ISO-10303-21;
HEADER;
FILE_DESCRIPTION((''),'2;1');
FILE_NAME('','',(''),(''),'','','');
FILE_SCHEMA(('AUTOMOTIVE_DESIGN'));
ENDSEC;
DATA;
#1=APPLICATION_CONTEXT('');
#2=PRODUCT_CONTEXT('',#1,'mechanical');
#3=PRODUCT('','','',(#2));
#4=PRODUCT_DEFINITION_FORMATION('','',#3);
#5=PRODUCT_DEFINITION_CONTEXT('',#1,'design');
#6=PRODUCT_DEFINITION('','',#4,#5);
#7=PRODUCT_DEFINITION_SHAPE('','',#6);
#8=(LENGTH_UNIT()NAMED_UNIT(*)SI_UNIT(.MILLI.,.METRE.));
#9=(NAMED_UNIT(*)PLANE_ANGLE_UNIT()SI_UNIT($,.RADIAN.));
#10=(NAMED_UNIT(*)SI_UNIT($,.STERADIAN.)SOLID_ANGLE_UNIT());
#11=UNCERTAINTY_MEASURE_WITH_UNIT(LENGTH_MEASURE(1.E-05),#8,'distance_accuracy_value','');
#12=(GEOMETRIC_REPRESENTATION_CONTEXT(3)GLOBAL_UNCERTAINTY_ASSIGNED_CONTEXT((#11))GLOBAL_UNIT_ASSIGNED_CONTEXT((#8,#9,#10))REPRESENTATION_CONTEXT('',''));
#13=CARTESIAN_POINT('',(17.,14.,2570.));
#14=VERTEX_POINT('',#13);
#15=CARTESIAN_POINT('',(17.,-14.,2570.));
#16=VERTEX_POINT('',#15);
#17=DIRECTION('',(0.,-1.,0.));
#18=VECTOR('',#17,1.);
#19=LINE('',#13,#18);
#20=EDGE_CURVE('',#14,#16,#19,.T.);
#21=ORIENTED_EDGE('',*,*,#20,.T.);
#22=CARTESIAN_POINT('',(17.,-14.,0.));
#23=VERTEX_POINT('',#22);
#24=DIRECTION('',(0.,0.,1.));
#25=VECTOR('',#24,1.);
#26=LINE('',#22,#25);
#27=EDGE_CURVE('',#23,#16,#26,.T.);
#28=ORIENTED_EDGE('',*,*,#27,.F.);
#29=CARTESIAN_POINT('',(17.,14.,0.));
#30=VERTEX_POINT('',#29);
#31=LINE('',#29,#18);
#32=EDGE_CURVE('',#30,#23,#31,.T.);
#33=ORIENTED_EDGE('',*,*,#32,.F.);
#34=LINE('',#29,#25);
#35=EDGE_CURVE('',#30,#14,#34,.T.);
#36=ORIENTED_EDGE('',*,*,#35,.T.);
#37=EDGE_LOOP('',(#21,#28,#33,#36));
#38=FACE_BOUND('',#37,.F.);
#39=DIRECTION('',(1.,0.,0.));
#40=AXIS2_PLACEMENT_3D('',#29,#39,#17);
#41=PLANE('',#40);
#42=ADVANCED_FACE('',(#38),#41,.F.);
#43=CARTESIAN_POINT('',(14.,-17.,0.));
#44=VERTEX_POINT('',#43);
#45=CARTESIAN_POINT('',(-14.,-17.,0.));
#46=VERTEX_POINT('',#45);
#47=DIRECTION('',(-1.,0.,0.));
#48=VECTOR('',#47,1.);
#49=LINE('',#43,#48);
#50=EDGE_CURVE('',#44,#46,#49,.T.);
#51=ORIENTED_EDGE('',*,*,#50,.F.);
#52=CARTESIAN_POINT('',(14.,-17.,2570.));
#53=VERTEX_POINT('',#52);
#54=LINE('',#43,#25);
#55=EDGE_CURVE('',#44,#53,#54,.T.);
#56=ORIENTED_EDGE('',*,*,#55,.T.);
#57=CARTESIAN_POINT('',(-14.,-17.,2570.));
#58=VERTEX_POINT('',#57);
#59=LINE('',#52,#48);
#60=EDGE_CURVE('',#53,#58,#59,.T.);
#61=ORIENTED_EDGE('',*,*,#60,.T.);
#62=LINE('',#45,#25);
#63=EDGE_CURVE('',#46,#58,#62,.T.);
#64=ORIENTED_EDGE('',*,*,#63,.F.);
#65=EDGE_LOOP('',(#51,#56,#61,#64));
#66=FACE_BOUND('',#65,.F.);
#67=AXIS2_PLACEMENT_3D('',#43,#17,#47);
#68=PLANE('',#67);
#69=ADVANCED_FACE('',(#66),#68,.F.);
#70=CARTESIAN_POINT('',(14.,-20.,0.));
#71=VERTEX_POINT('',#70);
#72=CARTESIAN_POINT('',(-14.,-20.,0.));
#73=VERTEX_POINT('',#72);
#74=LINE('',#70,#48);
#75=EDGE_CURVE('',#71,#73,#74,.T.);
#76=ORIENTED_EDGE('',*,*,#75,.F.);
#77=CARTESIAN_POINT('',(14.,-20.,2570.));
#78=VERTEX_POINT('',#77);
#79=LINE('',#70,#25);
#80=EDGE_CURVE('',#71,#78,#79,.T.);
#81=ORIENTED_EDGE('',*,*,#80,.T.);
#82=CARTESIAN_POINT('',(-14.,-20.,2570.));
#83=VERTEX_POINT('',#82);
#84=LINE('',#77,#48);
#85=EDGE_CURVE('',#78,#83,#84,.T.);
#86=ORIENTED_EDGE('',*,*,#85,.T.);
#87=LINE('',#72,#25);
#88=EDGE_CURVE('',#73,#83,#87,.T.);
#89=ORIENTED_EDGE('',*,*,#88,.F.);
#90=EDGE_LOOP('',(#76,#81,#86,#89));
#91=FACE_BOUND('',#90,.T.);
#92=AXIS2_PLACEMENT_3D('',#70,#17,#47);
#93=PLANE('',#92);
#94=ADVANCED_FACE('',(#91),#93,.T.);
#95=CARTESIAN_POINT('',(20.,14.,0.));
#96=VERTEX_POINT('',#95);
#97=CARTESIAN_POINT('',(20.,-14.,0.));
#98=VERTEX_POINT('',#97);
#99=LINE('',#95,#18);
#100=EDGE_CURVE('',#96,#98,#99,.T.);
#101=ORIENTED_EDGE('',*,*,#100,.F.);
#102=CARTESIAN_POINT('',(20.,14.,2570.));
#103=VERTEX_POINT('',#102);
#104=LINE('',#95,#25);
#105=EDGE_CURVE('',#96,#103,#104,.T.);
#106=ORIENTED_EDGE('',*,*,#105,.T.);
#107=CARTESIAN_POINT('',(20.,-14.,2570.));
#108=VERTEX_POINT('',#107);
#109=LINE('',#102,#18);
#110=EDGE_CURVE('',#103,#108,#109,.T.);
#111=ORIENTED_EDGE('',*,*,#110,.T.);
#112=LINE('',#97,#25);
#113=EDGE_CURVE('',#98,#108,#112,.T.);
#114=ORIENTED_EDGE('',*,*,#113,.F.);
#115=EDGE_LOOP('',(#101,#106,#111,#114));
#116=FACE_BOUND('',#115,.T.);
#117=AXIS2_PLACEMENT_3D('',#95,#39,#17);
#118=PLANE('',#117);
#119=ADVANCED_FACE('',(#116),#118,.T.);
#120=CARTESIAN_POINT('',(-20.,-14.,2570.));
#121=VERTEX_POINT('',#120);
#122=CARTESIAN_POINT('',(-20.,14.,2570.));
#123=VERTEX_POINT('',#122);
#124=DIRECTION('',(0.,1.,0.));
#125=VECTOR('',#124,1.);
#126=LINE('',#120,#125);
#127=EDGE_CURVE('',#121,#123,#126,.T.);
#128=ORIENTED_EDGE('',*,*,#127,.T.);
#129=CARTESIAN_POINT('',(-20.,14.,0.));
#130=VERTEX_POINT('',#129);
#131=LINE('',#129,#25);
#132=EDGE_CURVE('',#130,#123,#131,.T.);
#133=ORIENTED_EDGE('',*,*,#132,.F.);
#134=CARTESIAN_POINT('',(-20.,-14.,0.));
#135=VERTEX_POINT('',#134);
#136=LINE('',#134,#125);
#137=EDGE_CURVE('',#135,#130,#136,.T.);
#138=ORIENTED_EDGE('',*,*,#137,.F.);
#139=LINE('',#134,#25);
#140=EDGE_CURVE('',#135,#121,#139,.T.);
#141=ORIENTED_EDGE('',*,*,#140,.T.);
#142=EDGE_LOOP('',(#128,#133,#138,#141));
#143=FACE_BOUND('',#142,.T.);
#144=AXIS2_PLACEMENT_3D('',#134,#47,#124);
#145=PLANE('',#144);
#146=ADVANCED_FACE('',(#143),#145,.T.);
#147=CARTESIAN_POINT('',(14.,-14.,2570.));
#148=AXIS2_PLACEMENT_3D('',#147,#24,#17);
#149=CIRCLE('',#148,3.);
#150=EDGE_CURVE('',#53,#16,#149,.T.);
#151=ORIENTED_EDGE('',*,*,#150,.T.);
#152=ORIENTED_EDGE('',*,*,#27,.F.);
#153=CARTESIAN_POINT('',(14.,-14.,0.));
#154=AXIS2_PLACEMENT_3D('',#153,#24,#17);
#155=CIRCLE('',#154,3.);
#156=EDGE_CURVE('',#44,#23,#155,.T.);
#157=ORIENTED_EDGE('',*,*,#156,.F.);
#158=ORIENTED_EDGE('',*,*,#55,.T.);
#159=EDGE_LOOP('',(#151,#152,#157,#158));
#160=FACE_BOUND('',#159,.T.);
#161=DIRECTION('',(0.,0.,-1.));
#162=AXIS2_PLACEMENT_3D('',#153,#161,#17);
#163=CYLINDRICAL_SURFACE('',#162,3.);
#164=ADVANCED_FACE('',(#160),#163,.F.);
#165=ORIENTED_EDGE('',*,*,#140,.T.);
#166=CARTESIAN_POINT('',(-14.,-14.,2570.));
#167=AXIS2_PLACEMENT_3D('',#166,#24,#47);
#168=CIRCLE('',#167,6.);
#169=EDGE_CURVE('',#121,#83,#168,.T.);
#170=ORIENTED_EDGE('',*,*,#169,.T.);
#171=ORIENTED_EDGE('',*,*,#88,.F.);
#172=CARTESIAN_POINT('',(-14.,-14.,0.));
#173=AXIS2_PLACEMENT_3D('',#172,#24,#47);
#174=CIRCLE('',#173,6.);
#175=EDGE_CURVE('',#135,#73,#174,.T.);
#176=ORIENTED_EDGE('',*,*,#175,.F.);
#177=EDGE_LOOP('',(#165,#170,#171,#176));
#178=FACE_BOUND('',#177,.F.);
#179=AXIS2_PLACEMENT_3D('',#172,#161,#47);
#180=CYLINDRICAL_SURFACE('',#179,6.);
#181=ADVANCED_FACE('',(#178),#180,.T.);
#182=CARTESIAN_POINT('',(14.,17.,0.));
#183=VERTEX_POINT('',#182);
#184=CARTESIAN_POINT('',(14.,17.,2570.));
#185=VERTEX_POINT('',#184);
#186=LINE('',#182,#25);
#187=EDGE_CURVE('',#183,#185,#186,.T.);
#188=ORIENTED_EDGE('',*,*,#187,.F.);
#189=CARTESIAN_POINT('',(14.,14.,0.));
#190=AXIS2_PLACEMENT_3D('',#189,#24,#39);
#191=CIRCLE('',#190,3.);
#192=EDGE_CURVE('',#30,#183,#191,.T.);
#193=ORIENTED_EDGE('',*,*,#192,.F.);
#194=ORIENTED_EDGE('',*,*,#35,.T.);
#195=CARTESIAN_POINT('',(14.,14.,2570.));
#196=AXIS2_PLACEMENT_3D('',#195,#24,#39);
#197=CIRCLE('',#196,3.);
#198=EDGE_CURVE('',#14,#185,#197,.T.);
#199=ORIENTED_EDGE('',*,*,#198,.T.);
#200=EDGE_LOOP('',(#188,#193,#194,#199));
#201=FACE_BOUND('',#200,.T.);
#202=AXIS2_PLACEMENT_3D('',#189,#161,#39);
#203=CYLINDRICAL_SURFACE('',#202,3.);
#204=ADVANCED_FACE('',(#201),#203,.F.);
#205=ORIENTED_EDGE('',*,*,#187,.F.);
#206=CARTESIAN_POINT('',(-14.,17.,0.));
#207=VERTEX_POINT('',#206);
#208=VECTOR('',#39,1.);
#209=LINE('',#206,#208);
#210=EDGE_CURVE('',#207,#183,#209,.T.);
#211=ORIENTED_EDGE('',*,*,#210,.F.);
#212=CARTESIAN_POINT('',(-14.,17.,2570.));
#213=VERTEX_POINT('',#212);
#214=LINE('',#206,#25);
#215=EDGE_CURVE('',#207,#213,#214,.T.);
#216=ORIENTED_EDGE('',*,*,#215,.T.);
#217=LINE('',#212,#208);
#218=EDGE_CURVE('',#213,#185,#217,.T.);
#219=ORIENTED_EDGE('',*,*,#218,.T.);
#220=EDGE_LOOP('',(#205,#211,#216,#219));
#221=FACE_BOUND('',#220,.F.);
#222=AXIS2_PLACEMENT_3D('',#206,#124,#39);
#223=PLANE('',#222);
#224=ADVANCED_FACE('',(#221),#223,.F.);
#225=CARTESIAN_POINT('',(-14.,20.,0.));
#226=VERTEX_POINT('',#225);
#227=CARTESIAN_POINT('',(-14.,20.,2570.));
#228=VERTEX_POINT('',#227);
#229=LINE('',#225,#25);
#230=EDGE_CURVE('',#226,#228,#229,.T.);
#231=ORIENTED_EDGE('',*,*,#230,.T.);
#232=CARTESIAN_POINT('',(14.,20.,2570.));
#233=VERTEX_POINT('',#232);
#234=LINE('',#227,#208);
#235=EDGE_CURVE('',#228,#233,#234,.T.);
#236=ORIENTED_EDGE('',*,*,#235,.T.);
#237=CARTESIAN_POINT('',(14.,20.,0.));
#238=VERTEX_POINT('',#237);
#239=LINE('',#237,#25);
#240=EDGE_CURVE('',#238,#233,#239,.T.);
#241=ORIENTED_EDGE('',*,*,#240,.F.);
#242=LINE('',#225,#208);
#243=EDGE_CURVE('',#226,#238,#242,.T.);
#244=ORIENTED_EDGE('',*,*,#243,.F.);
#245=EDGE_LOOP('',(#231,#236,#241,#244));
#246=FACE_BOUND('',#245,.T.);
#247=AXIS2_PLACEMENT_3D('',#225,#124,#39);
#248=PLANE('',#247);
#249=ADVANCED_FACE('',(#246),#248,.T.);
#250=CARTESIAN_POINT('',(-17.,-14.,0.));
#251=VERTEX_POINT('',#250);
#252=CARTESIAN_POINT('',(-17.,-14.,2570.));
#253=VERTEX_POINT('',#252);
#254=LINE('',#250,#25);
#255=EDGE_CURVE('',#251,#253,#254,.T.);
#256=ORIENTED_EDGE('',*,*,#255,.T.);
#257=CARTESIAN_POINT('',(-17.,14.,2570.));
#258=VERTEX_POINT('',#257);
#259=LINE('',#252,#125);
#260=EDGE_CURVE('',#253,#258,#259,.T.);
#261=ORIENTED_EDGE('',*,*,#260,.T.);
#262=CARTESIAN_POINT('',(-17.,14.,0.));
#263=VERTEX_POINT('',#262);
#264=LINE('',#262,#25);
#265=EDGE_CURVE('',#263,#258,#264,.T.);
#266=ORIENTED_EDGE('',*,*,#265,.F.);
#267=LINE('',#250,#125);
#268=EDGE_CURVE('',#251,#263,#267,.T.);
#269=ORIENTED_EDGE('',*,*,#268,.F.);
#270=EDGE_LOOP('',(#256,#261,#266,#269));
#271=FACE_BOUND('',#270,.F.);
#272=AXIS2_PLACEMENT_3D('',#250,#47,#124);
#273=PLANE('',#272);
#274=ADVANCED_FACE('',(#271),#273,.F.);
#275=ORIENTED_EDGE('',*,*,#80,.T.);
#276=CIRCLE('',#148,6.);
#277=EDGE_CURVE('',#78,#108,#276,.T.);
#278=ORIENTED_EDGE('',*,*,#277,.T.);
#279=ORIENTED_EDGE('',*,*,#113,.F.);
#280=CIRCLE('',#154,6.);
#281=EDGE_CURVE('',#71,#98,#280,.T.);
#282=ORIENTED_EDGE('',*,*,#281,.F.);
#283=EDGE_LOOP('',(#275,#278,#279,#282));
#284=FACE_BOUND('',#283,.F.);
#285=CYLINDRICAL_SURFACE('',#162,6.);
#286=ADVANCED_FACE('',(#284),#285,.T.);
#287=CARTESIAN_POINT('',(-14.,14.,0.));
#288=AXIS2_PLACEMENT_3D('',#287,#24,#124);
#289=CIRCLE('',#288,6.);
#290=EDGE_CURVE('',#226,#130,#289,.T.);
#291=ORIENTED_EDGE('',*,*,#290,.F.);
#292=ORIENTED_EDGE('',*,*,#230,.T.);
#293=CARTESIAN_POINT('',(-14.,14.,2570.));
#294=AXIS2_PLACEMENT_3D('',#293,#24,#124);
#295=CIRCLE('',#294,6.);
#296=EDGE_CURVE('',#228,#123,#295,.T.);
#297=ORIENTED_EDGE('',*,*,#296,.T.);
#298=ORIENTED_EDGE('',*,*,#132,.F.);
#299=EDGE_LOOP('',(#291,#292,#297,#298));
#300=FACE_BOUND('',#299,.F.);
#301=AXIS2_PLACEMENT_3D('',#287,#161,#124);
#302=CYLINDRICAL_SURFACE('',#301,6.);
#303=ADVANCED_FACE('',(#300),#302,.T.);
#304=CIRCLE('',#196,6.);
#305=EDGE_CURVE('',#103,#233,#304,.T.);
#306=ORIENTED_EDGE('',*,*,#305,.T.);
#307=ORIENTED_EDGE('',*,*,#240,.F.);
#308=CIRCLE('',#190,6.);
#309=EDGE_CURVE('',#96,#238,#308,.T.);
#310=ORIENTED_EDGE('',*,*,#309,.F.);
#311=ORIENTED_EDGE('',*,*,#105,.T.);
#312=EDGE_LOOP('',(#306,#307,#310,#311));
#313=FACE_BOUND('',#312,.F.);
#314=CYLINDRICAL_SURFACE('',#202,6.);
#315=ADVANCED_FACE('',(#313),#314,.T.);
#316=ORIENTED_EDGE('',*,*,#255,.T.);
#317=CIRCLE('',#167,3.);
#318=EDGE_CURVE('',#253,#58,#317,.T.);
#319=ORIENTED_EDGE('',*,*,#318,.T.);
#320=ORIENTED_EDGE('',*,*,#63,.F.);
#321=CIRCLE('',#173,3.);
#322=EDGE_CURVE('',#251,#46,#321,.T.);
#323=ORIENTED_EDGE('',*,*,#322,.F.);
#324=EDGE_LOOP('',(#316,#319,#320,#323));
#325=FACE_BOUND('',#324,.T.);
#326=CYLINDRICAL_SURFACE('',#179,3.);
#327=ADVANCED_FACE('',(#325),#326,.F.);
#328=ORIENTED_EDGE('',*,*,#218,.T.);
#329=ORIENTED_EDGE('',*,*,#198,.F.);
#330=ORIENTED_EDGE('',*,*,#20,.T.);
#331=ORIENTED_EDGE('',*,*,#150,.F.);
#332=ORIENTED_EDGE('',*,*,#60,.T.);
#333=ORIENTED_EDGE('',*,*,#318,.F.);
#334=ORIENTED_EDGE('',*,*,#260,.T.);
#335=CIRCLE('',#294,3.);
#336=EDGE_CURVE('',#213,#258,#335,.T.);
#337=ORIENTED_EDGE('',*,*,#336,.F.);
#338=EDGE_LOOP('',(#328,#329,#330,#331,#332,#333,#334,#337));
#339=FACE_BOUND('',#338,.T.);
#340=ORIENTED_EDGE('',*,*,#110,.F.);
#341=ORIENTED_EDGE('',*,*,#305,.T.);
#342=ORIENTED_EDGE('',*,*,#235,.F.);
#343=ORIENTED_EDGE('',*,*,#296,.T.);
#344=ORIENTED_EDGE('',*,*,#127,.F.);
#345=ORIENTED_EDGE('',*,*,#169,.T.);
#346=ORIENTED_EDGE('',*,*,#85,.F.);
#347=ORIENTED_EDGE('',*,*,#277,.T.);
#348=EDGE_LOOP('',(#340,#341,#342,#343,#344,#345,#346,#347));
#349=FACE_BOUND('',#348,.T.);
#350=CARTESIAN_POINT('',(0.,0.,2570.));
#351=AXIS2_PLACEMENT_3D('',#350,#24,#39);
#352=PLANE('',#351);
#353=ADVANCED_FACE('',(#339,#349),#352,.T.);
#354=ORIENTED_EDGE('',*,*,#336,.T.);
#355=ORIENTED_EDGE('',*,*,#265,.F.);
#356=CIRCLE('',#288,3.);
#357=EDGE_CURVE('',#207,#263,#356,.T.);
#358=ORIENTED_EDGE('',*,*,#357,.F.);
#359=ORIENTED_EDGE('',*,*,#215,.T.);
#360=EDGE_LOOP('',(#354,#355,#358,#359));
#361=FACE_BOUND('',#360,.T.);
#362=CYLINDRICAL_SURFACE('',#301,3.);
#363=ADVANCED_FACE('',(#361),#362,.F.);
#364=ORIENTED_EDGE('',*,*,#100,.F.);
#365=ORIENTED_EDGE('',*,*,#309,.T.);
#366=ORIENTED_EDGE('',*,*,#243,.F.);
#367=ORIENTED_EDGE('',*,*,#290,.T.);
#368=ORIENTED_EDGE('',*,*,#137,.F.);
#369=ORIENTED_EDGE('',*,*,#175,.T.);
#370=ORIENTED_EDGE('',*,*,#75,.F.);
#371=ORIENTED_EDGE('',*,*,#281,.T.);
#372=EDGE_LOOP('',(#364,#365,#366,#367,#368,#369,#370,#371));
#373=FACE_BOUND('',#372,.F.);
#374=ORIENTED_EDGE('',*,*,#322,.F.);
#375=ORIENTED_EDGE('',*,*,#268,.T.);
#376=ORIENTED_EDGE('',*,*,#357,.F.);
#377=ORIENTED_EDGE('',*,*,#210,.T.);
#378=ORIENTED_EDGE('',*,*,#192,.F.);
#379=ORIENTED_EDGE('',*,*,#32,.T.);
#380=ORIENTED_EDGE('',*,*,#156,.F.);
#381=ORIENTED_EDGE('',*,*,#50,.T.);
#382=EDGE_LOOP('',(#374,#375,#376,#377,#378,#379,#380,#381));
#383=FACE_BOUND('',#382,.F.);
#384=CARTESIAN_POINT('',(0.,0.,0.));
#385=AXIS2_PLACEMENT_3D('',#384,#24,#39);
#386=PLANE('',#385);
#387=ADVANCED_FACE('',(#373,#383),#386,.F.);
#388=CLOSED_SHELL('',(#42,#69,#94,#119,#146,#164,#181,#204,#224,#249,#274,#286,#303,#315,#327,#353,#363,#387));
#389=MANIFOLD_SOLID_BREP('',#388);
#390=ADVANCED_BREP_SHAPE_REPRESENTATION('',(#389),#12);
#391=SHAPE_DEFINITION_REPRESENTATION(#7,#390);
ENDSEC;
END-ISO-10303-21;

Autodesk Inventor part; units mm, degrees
ref_plane "YZ Plane" through (0, 0, 0) normal (1, 0, 0) x (0, 1, 0)
ref_plane "Start Plane" through (0, 0, 0) normal (0, 0, 1) x (1, 0, 0)
ref_plane "End Plane" through (0, 0, 2570) normal (0, 0, 1) x (1, 0, 0)
sketch "Sketch" plane through (0, 0, 0) normal (0, 0, 1) x (1, 0, 0)
  line L0 (-20, -14) -> (-20, 14)
  line L1 (-14, 20) -> (14, 20)
  line L2 (20, 14) -> (20, -14)
  line L3 (14, -20) -> (-14, -20)
  arc A0 (-20, -14) -> (-14, -20) centre (-14, -14) ccw
  arc A1 (20, 14) -> (14, 20) centre (14, 14) ccw
  arc A2 (-14, 20) -> (-20, 14) centre (-14, 14) ccw
  arc A3 (14, -20) -> (20, -14) centre (14, -14) ccw
  arc A4 (-14, 17) -> (-17, 14) centre (-14, 14) ccw
  line L4 (-14, 17) -> (14, 17)
  arc A5 (17, 14) -> (14, 17) centre (14, 14) ccw
  line L5 (17, 14) -> (17, -14)
  arc A6 (14, -17) -> (17, -14) centre (14, -14) ccw
  line L6 (14, -17) -> (-14, -17)
  arc A7 (-17, -14) -> (-14, -17) centre (-14, -14) ccw
  line L7 (-17, -14) -> (-17, 14)
  line L8 (0, 29.7397) -> (0, -29.7397) construction
  line L9 (-29.7397, 0) -> (29.7397, 0) construction
  dimension "d7" = 6
  dimension "d9" = 40
  dimension "d11" = 40
  dimension "d12" = 3
  dimension "d15" = 20
  dimension "d16" = 20
extrude "Body" add sketch "Sketch" along normal up to surface (2570 mm away) from surface at 0
sketch "Sketch3" plane through (0, 0, 0) normal (0, 0, 1) x (1, 0, 0)
  line L0 (0, 0) -> (10, 0)
ref_plane "Work Plane3" through (0, 0, 0) normal (0, -1, 0) x (1, 0, 0)
sketch "Sketch4" plane through (0, 0, 0) normal (0, -1, 0) x (1, 0, 0)
  line L0 (-2, 0) -> (12, 0) projected
  line L1 (-2, 2570) -> (12, 2570) projected
  dimension "d18" = 2570
equation "\"d7\" = G_IR"
equation "\"d9\" = G_W"
equation "\"d11\" = G_H"
equation "\"d12\" = G_T"
equation "\"d15\" = 0.5 * d9"
equation "\"d16\" = 0.5 * d11"
equation "\"d3\" = G_L"
equation "\"G_W\" = 40"
equation "\"G_H\" = 40"
equation "\"G_T\" = 3"
equation "\"G_IR\" = 6"
equation "\"G_L\" = d18"
equation "\"G_OFFSET_START\" = 0"
equation "\"G_OFFSET_END\" = 0"
properties part number "ISO 10799-2 - 40x40x3 - 2570" material "Steel, Mild"
